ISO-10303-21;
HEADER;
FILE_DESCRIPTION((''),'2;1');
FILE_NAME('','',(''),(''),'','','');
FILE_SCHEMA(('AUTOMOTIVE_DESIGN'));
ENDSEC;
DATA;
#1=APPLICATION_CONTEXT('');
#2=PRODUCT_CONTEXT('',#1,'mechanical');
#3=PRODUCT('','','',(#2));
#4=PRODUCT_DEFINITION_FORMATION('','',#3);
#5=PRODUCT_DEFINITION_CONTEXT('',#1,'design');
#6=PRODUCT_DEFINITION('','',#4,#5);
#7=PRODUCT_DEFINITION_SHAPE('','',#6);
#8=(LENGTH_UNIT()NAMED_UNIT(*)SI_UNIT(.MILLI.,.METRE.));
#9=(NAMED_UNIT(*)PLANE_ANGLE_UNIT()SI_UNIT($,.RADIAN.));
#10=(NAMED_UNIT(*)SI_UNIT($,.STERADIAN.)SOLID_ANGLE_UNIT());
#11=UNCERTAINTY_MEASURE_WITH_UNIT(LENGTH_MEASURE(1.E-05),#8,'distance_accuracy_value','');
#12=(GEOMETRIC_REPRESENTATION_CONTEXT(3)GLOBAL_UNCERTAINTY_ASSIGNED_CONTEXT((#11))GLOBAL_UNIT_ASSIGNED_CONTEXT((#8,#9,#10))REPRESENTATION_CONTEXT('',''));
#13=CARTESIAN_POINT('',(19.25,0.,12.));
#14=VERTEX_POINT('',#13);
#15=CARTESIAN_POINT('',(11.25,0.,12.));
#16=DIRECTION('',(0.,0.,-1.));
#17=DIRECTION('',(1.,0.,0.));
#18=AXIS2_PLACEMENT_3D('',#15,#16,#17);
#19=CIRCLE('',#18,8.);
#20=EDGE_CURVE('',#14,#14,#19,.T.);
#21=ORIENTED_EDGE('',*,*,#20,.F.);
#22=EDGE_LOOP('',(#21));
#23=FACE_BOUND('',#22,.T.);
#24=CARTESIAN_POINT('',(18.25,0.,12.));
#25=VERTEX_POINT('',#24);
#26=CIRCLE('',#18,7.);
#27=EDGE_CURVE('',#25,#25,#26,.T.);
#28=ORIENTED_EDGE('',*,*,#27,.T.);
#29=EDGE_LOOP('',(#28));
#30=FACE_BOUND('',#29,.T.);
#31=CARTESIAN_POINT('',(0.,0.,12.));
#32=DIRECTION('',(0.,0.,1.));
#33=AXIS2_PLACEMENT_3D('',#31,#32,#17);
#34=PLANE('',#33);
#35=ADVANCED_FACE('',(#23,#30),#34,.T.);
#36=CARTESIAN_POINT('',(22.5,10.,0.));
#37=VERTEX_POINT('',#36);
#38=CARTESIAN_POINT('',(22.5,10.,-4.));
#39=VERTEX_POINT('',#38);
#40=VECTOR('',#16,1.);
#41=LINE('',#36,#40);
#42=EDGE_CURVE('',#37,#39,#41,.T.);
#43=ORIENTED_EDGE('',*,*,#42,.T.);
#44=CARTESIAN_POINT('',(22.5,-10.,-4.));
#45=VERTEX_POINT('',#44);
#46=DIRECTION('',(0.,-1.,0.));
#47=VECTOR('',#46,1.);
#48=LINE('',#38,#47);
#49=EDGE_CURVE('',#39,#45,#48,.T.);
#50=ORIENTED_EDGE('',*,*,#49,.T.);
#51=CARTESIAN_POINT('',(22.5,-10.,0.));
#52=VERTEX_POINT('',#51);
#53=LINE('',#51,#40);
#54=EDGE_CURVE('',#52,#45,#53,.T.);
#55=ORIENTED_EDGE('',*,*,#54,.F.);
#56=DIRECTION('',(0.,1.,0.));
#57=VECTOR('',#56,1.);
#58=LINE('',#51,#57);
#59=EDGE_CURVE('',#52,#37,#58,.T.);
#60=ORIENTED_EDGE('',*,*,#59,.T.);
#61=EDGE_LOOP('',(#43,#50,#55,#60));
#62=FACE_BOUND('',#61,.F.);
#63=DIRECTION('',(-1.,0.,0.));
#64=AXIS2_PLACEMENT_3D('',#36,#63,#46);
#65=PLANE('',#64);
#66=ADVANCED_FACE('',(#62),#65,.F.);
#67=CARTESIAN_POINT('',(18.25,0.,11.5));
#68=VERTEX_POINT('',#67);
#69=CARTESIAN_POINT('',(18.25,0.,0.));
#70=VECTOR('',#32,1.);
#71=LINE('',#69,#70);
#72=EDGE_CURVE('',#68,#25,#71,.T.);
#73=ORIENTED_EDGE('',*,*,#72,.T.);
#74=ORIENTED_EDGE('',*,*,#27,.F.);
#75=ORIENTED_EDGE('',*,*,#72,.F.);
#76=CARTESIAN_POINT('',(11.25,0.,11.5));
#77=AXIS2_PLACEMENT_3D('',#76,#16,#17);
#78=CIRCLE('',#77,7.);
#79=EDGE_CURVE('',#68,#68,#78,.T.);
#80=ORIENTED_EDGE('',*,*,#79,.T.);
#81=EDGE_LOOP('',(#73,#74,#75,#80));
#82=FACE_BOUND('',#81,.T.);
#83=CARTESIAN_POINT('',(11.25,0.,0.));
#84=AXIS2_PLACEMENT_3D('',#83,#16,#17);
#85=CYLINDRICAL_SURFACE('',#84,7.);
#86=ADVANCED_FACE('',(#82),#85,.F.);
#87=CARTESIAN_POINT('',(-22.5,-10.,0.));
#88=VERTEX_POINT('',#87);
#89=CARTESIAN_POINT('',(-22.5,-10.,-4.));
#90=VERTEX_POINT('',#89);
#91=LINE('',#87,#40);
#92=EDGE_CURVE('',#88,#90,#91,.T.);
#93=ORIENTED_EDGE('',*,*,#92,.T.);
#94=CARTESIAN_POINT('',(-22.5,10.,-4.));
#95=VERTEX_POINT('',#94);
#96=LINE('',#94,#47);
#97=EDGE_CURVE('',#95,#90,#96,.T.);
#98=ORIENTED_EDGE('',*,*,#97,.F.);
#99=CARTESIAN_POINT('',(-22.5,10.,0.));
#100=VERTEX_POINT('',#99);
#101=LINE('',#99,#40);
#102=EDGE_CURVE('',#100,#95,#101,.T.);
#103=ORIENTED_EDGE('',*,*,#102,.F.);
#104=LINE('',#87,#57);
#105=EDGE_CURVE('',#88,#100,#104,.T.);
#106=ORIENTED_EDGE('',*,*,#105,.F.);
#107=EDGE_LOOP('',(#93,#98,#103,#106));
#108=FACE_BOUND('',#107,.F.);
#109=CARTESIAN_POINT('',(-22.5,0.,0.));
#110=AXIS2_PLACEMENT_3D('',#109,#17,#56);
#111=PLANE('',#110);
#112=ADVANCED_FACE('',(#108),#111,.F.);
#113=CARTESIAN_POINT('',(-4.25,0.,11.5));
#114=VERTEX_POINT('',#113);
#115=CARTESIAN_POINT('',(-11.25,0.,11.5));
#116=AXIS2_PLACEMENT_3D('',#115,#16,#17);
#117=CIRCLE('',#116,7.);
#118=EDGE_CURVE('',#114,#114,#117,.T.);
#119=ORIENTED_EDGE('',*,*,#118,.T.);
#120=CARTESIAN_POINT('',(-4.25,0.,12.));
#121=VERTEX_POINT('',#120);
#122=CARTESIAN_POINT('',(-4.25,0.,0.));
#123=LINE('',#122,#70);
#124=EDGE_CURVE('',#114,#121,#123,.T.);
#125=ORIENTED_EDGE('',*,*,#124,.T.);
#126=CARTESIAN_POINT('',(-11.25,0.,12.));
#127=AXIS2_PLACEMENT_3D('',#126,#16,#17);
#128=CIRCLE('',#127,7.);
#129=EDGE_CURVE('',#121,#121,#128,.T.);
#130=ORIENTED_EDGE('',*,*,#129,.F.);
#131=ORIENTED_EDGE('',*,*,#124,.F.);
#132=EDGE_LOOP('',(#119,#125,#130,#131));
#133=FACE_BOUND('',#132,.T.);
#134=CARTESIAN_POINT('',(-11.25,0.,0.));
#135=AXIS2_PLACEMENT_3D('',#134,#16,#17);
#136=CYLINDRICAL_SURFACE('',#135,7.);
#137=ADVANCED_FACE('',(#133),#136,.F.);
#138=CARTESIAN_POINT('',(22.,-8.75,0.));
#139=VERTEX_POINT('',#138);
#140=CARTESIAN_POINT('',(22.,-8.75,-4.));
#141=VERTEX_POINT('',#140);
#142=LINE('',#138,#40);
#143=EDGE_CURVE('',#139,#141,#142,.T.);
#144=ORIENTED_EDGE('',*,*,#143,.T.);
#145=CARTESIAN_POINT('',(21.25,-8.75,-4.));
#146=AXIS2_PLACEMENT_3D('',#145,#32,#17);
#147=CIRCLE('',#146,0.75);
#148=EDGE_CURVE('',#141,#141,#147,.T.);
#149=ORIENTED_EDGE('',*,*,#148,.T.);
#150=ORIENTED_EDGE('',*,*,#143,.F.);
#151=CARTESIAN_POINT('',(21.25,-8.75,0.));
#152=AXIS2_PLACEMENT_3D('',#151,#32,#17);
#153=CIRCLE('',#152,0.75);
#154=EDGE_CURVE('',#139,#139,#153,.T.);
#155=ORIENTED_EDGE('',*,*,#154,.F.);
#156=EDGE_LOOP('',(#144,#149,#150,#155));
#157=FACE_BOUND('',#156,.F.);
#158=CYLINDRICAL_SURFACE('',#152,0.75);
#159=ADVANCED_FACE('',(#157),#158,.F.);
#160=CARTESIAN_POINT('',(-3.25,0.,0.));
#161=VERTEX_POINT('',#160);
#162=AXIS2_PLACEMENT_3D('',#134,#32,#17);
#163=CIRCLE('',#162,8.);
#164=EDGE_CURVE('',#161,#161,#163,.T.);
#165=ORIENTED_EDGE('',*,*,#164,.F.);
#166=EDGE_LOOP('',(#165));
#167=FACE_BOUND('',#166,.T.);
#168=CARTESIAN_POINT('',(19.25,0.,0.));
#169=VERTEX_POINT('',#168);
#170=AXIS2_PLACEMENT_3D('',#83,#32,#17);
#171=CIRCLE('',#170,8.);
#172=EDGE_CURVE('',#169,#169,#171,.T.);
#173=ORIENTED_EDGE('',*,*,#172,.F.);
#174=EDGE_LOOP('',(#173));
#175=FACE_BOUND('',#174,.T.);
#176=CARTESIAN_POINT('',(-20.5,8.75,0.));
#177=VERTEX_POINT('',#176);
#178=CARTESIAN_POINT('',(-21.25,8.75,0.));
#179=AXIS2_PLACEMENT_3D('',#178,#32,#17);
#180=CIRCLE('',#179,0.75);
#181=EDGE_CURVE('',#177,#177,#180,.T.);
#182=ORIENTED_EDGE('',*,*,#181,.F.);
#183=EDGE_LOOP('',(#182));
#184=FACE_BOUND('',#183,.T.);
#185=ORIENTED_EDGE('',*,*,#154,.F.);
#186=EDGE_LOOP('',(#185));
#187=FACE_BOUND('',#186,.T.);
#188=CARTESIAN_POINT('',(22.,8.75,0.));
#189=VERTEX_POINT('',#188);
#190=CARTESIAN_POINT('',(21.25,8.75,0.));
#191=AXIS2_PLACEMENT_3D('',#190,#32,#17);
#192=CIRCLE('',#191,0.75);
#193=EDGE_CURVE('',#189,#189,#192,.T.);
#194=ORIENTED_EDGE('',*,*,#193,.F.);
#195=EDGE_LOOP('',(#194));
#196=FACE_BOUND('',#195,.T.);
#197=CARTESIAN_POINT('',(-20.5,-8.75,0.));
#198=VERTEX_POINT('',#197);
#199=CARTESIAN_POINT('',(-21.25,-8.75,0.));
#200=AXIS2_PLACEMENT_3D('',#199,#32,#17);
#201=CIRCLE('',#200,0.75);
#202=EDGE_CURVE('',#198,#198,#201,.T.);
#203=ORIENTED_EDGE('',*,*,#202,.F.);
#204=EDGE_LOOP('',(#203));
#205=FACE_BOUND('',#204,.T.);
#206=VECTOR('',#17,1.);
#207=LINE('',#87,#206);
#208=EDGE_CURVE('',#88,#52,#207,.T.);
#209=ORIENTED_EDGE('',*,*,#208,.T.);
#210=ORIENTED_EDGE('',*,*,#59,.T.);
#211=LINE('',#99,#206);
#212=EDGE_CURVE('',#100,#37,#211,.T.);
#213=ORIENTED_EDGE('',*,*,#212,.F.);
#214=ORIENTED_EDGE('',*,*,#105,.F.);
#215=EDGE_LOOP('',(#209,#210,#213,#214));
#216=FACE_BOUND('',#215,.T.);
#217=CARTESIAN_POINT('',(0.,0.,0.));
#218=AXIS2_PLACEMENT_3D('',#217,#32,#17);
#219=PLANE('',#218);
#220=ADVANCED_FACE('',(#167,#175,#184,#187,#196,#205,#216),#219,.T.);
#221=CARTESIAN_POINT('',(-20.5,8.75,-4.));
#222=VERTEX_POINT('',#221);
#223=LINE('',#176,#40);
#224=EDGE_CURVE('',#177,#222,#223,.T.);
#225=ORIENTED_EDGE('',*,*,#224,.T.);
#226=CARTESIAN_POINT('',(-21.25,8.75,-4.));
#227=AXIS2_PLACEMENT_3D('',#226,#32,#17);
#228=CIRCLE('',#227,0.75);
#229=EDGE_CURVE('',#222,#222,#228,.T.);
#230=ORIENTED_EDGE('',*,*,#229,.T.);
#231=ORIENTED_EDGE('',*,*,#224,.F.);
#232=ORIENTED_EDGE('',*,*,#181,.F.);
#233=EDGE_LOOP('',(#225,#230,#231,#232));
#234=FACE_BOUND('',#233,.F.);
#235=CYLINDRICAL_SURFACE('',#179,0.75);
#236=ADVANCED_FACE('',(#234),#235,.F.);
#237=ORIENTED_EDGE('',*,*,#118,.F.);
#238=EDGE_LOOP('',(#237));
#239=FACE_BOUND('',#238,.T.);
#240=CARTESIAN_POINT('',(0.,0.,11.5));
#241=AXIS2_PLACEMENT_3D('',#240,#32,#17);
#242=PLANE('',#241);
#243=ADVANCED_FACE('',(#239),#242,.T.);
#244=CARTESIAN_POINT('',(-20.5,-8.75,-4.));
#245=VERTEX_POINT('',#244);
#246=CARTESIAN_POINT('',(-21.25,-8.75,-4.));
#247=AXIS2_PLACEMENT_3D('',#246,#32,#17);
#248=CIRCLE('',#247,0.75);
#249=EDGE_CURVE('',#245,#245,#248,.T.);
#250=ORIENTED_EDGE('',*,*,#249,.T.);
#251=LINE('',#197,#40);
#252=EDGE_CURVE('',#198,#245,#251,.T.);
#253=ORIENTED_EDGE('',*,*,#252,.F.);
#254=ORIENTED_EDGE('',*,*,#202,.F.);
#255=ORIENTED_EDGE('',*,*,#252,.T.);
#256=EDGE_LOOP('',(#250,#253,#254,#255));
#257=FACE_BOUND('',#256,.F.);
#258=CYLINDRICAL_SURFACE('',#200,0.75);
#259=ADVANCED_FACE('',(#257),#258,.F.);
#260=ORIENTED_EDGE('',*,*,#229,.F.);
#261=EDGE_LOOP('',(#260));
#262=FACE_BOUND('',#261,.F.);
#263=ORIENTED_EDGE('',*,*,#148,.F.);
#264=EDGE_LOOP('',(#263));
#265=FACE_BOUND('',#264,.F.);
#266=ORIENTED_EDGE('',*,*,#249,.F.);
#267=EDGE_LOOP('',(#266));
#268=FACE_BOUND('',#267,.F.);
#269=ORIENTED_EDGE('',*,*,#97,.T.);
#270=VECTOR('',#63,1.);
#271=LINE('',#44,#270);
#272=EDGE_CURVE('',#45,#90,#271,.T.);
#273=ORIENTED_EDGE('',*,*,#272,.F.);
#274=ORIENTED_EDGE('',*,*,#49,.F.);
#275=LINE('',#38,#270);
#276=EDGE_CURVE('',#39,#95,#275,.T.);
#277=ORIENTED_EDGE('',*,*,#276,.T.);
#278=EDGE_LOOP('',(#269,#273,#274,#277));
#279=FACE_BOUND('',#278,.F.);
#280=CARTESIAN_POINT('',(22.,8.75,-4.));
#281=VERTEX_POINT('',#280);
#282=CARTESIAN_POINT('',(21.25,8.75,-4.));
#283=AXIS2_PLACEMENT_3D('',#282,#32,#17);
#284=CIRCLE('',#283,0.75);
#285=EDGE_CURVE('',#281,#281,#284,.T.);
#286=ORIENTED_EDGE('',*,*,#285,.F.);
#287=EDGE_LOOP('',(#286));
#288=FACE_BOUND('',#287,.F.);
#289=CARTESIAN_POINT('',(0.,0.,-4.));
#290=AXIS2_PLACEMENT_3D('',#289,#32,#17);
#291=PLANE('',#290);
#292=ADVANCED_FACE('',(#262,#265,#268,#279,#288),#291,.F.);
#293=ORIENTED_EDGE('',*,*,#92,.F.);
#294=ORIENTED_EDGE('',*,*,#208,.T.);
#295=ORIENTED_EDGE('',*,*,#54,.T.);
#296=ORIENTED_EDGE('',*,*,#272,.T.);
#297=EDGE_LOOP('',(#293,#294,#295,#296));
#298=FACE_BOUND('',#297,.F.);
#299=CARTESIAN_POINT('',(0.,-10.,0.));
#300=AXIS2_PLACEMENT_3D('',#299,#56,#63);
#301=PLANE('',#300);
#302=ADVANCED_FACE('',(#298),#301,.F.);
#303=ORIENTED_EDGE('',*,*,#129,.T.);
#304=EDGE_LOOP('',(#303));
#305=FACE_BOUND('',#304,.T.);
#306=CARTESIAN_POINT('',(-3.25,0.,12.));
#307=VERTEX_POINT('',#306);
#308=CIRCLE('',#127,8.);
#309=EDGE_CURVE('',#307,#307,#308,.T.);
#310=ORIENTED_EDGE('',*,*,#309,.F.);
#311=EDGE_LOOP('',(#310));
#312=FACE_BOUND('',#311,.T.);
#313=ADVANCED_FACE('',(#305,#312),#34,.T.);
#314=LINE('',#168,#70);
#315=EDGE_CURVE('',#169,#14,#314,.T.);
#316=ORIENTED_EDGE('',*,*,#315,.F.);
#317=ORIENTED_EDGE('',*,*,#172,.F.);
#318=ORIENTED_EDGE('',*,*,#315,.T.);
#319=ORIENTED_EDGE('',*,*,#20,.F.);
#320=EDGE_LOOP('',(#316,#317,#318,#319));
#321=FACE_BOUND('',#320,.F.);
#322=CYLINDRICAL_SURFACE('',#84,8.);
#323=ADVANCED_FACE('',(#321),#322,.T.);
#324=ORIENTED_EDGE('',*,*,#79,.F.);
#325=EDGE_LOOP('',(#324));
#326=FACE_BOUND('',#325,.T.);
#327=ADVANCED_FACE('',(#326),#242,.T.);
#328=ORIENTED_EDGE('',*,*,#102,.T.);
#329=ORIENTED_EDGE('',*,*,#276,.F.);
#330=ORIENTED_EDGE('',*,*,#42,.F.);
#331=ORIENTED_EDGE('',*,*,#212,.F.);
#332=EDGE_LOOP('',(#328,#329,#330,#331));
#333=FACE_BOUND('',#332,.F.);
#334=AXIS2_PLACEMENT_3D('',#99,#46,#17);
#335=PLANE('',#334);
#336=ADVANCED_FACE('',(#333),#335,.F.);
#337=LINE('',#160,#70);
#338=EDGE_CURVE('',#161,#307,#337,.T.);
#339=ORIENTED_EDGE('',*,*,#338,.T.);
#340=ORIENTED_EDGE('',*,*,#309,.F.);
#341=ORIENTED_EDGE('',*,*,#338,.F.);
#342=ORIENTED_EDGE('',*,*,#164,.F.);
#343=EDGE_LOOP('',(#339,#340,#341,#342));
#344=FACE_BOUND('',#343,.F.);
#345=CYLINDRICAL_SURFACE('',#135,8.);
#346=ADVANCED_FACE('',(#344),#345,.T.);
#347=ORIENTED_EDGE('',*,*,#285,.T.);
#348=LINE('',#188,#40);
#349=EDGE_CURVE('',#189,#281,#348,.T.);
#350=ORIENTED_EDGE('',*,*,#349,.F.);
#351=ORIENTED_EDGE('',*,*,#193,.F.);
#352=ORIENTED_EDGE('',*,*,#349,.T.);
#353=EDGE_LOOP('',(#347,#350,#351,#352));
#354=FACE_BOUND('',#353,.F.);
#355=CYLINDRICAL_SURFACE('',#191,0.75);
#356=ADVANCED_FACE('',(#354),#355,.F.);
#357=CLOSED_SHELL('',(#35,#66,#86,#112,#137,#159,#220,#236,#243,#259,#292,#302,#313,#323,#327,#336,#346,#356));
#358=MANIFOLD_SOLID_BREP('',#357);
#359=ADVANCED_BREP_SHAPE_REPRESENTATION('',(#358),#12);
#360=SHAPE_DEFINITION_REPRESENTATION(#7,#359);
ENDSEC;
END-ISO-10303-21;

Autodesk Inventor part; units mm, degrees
ref_plane "YZ Plane" through (0, 0, 0) normal (1, 0, 0) x (0, 1, 0)
ref_plane "XZ Plane" through (0, 0, 0) normal (0, 1, 0) x (-1, 0, 0)
ref_plane "XY Plane" through (0, 0, 0) normal (0, 0, 1) x (1, 0, 0)
sketch "Skizze1" plane through (0, 0, 0) normal (0, 0, 1) x (1, 0, 0)
  line L0 (-22.5, 10) -> (22.5, 10)
  line L1 (22.5, 10) -> (22.5, -10)
  line L2 (22.5, -10) -> (-22.5, -10)
  line L3 (-22.5, -10) -> (-22.5, 10)
  line L4 (0, -14) -> (0, 14) projected
  line L5 (-31.5, 0) -> (31.5, 0) projected
  circle A0 centre (-11.25, 0) radius 8
  circle A1 centre (11.25, 0) radius 8
  circle A2 centre (-21.25, 8.75) radius 0.75
  circle A3 centre (21.25, 8.75) radius 0.75
  circle A4 centre (-21.25, -8.75) radius 0.75
  circle A5 centre (21.25, -8.75) radius 0.75
  circle A6 centre (-11.25, 0) radius 7
  circle A7 centre (11.25, 0) radius 7
  point P0 (0, 0)
  dimension "d0" = 20
  dimension "d1" = 45
  dimension "d2" = 16
  dimension "d3" = 11.25
  dimension "d4" = 1.5
  dimension "d5" = 1.25
  dimension "d6" = 1.25
  dimension "d11" = 1
  dimension "d12" = 1
extrude "Extrusion1" add sketch "Skizze1" against normal blind 4
extrude "Extrusion3" add sketch "Skizze1" along normal blind 12 contours A0 L5 A6 | L5 A6 A0 | A1 L5 A7 | L5 A7 A1
extrude "Extrusion4" add sketch "Skizze1" along normal blind 11.5 contours A6 L5 | L5 A6 | A7 L5 | L5 A7
properties part number "Ultraschallsensor"
